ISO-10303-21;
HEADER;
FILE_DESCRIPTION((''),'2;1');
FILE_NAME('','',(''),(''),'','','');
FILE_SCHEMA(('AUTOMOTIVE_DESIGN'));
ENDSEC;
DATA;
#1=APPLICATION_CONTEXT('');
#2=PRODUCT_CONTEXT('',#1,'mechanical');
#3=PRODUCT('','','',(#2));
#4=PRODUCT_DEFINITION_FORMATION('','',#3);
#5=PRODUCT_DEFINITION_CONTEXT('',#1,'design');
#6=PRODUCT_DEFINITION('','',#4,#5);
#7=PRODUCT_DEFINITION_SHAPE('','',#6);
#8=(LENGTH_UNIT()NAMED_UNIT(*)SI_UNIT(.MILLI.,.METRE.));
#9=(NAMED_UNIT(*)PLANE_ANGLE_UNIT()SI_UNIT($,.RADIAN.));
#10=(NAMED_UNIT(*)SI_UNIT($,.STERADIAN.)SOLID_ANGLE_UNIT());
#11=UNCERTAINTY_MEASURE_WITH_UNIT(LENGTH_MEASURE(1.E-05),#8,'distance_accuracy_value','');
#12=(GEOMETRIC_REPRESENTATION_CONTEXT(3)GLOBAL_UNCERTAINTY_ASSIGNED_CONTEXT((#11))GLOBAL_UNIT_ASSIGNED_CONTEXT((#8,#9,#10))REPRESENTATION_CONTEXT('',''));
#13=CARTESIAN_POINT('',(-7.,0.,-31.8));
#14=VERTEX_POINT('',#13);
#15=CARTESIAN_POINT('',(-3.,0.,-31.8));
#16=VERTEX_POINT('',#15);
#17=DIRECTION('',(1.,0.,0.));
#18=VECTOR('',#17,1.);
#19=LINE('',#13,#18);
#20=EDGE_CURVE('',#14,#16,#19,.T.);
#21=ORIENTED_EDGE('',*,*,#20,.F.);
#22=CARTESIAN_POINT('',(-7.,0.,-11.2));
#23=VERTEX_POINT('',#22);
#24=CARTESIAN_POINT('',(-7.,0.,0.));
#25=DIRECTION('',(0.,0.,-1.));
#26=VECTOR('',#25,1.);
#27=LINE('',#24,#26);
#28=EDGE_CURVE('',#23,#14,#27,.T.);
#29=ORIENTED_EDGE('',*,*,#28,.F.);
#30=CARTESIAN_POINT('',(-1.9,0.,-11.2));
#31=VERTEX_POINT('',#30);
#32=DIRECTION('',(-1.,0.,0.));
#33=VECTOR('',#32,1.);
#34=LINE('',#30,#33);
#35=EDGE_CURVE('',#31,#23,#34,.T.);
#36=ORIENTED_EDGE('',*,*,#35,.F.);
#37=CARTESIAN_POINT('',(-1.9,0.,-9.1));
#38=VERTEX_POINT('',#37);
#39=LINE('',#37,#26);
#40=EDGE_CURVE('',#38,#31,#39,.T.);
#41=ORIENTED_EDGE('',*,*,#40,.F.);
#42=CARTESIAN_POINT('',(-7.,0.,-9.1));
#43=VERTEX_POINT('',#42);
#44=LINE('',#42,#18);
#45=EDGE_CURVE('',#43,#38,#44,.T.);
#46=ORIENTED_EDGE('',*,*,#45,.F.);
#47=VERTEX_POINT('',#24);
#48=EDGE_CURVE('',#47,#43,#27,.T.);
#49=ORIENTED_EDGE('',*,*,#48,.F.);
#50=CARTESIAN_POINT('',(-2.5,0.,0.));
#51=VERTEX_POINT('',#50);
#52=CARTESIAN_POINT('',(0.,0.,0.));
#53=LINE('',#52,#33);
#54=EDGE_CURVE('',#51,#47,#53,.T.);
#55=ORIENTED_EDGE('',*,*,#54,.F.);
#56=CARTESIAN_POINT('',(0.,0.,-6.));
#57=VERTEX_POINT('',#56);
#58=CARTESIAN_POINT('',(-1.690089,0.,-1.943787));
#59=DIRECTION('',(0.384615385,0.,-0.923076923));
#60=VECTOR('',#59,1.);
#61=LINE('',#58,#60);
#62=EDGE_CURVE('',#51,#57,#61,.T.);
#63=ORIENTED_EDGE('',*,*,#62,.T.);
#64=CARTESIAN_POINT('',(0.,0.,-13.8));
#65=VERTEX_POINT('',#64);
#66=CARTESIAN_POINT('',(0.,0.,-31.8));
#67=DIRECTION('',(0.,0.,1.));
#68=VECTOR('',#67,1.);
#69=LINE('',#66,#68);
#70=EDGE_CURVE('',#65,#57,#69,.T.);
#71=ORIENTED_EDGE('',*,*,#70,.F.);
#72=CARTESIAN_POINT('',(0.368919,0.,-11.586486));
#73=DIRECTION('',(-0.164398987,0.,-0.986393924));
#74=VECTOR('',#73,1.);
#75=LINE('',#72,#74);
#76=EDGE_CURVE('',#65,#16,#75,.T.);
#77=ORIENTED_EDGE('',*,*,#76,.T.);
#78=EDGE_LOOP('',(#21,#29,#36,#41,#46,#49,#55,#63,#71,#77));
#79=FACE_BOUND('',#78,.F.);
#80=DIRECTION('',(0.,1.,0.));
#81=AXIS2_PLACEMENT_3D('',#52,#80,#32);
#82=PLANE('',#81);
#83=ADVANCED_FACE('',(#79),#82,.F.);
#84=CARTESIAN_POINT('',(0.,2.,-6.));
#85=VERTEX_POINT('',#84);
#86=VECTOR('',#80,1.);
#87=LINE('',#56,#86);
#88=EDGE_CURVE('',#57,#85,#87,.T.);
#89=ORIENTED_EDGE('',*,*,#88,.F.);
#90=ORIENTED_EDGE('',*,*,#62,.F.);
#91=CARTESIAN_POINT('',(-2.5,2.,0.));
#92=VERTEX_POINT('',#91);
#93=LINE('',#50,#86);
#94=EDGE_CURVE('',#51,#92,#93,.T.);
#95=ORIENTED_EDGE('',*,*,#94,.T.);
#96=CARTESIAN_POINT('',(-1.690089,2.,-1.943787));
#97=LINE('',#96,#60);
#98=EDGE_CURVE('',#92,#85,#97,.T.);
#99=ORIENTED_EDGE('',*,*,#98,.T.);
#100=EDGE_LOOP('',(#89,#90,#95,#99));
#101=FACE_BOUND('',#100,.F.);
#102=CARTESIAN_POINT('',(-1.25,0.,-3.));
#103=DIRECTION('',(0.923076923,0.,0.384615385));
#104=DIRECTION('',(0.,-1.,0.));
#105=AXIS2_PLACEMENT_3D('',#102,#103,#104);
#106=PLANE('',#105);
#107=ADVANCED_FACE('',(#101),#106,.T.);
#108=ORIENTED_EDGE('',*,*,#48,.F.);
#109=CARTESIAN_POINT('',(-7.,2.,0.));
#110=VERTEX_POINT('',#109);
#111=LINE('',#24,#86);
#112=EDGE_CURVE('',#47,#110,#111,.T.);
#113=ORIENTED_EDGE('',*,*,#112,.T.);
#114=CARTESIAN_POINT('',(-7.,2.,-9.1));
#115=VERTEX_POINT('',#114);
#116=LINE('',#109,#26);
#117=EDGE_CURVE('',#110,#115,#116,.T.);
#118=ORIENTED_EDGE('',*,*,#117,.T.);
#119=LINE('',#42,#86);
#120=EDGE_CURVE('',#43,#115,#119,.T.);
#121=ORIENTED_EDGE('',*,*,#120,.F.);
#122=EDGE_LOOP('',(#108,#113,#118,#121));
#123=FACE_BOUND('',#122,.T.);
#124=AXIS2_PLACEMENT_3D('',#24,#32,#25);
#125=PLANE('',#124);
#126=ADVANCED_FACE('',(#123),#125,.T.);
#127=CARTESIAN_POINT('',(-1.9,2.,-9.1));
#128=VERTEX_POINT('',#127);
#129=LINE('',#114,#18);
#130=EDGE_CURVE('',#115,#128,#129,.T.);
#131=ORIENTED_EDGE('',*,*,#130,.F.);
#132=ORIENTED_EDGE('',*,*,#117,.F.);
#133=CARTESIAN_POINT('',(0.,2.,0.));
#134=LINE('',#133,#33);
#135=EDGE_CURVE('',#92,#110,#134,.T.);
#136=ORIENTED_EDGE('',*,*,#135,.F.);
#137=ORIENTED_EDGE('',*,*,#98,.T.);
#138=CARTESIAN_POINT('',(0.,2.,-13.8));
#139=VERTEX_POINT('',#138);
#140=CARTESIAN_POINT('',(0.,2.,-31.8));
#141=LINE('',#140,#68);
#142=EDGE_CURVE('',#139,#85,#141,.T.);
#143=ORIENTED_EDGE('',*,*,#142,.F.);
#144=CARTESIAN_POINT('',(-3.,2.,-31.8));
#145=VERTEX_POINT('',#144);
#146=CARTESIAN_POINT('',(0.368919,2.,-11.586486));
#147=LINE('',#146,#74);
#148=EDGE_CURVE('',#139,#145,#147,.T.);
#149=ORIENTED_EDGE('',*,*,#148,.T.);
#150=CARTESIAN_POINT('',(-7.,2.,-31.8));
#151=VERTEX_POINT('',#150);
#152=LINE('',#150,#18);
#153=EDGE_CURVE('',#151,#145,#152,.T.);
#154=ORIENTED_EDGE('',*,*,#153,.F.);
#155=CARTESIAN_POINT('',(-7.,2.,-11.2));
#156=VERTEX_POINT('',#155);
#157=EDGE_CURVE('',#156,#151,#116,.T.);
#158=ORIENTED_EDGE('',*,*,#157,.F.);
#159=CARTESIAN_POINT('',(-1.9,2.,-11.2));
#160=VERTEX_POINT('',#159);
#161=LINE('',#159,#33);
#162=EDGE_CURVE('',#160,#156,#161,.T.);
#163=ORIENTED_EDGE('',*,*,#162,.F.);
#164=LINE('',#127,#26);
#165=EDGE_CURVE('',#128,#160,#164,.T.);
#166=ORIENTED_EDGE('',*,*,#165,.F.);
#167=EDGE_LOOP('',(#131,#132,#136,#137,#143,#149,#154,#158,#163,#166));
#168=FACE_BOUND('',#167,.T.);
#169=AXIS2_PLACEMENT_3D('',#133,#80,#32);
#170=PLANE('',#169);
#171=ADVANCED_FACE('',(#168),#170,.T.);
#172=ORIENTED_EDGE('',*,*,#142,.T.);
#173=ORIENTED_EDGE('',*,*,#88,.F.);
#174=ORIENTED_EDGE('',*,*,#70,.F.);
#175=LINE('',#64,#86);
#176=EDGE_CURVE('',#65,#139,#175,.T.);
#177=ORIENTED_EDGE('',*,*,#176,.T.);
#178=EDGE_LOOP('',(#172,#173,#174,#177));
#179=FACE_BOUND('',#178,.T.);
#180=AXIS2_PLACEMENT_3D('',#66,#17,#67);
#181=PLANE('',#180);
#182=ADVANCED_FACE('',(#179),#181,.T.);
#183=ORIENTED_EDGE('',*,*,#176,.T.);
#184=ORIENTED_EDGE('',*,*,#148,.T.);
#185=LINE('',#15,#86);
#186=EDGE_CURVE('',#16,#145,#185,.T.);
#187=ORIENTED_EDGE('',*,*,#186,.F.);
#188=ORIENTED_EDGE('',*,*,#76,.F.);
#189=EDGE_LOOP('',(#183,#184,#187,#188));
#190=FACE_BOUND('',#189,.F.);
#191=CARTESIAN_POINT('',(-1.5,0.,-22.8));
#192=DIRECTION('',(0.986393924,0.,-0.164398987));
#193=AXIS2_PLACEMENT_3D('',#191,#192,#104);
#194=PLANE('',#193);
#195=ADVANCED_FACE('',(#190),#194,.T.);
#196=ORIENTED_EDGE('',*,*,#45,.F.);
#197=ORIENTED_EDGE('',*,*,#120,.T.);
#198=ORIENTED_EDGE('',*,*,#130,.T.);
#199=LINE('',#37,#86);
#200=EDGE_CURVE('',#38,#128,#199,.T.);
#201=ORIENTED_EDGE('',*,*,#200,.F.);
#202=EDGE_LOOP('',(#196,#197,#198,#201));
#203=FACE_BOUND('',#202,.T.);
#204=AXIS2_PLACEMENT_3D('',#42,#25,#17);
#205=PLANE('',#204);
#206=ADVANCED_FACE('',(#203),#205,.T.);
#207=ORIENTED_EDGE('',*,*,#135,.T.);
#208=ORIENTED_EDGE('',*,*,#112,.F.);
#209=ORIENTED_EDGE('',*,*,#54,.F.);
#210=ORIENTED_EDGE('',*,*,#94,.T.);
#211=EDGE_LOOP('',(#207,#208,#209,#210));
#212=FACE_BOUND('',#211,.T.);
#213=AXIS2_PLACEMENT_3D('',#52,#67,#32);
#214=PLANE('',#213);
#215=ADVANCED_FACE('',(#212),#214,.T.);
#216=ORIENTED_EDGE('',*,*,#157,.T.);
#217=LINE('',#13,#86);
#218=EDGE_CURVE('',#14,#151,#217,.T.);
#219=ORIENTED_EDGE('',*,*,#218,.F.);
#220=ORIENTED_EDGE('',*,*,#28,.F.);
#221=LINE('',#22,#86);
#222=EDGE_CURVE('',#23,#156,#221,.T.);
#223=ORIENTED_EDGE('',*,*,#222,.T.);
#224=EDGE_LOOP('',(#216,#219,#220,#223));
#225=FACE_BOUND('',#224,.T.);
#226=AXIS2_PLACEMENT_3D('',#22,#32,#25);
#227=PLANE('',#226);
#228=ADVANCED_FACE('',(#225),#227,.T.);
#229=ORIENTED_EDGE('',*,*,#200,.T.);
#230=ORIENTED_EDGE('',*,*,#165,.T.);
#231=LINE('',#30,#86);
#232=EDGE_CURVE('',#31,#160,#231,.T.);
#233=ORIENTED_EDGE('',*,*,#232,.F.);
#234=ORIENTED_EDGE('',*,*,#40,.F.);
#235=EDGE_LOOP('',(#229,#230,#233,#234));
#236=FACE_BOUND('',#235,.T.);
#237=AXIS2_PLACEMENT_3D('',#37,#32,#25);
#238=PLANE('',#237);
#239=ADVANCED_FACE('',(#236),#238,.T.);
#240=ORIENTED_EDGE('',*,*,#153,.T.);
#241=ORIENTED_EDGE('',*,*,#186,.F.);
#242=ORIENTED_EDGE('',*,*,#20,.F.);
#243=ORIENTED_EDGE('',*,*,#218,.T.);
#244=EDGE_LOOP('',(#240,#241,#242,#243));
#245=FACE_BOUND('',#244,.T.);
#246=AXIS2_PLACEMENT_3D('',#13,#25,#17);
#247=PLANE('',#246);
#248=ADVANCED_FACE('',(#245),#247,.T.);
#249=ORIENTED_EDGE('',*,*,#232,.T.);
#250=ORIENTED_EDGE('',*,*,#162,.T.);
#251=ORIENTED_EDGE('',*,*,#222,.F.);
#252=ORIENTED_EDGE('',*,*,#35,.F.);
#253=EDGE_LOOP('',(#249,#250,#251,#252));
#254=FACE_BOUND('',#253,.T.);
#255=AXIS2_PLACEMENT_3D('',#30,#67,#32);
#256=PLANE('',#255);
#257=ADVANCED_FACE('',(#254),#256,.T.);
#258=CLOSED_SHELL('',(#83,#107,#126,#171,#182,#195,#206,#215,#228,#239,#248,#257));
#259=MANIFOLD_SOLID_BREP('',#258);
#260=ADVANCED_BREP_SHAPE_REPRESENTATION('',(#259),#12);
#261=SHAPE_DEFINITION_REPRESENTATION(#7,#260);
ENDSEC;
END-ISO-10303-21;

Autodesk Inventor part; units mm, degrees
ref_plane "YZ Plane" through (0, 0, 0) normal (1, 0, 0) x (0, 1, 0)
ref_plane "XZ Plane" through (0, 0, 0) normal (0, 1, 0) x (-1, 0, 0)
ref_plane "XY Plane" through (0, 0, 0) normal (0, 0, 1) x (1, 0, 0)
sketch "Sketch1" plane through (0, 0, 0) normal (0, 1, 0) x (-1, 0, 0)
  line L0 (0, 0) -> (7, 0)
  line L1 (7, 0) -> (7, -31.8)
  line L2 (7, -31.8) -> (0, -31.8)
  line L3 (0, -31.8) -> (0, 0)
  line L4 (7, -9.1) -> (1.9, -9.1)
  line L5 (1.9, -9.1) -> (1.9, -11.2)
  line L6 (1.9, -11.2) -> (7, -11.2)
  line L7 (7, -11.2) -> (7, -9.1)
  point P0 (7, -11.2)
  dimension "d0" = 7
  dimension "d1" = 31.8
  dimension "d2" = 2.1
  dimension "d3" = 5.1
  dimension "d4" = 9.1
extrude "Extrusion1" add sketch "Sketch1" along normal blind 2 contours L0 L1 L4 L5 L6 L2 L3
chamfer "Chamfer1" distance 2.5 distance2 6 1 edges at (0, 1, 0) measured on face at (-4.6667, 0.6667, 0)
chamfer "Chamfer2" distance 18 distance2 3 1 edges at (0, 1, -31.8) measured on face at (0, 0.6667, -14.6)
properties part number "Feather_0_aerofoil_frame_support_p2"
